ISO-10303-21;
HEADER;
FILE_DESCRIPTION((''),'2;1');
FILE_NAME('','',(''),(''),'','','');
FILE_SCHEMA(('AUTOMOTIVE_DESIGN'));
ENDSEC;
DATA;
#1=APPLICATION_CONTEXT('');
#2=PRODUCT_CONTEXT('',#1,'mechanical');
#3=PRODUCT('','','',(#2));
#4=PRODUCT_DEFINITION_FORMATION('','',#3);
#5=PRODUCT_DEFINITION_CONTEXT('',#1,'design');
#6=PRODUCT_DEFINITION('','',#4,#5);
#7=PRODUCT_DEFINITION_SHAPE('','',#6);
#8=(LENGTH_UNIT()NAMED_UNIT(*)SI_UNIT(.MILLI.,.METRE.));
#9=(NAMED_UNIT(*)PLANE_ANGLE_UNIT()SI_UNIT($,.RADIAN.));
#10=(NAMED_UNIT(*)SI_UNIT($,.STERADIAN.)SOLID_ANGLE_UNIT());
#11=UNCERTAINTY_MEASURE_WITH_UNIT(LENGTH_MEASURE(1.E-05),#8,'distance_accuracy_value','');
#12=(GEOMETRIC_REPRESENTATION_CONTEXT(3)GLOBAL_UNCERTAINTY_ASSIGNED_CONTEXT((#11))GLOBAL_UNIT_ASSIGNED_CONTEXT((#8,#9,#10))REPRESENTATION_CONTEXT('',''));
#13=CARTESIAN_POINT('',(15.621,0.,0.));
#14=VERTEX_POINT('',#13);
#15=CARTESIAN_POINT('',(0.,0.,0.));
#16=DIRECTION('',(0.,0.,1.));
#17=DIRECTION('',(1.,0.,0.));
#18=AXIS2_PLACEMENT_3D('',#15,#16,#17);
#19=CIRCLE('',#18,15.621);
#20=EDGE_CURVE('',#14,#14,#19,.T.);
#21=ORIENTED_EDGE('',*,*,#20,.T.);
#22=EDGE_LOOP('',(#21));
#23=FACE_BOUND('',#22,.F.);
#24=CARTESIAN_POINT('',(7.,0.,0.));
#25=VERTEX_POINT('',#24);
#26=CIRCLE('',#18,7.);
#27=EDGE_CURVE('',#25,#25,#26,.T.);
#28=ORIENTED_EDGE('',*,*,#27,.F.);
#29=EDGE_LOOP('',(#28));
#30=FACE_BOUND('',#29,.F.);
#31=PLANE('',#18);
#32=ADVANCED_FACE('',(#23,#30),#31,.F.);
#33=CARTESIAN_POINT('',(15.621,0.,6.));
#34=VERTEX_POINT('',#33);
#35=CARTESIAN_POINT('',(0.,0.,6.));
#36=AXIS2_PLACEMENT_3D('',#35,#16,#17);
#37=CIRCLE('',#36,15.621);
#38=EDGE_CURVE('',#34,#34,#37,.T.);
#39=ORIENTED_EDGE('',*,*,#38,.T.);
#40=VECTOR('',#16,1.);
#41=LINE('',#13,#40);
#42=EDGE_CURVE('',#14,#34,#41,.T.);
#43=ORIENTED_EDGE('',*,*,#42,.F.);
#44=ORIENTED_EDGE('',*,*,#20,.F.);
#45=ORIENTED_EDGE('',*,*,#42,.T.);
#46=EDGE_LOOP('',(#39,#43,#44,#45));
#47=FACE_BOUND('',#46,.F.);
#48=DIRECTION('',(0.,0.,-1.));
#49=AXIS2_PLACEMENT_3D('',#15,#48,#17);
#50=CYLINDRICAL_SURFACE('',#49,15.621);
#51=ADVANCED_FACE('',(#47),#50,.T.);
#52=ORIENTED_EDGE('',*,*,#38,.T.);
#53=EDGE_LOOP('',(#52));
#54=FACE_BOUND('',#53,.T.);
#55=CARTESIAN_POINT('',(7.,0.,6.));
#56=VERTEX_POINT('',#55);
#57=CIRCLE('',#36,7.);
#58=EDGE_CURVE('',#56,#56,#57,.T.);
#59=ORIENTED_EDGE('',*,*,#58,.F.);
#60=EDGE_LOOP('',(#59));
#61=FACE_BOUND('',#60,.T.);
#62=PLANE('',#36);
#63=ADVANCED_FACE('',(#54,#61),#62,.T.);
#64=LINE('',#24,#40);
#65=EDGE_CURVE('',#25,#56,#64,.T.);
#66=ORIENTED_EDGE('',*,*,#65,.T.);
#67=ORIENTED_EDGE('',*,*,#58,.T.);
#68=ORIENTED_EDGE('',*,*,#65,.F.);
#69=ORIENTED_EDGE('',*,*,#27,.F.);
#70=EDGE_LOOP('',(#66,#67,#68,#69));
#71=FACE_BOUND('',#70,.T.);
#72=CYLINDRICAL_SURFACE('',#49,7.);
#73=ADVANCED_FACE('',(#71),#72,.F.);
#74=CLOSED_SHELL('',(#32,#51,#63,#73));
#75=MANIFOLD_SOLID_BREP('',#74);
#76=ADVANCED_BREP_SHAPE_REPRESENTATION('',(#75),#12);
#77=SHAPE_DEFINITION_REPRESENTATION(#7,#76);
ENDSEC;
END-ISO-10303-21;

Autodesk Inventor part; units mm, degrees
ref_plane "YZ Plane" through (0, 0, 0) normal (1, 0, 0) x (0, 1, 0)
ref_plane "XZ Plane" through (0, 0, 0) normal (0, 1, 0) x (-1, 0, 0)
ref_plane "XY Plane" through (0, 0, 0) normal (0, 0, 1) x (1, 0, 0)
sketch "Base" plane through (0, 0, 0) normal (0, 0, 1) x (1, 0, 0)
  circle A0 centre (0, 0) radius 7
  circle A1 centre (0, 0) radius 15.621
  circle A2 centre (0, 0) radius 15.621 construction
  dimension "d6" = 14
extrude "Plate2" add sketch "Base" along normal blind 6
equation "\"d5\" = Thickness"
equation "\"BendRadius\" = Thickness"
equation "\"BendReliefWidth\" = Thickness"
equation "\"BendReliefDepth\" = 0.5 * Thickness"
equation "\"CornerReliefSize\" = 4 * Thickness"
equation "\"MinimumRemnant\" = 2 * Thickness"
equation "\"TransitionRadius\" = BendRadius"
equation "\"JacobiRadiusSize\" = BendRadius"
equation "\"GapSize\" = Thickness"
equation "\"Thickness\" = 6"
properties part number "NeckEncoderMagnetAlignmentFlange"
